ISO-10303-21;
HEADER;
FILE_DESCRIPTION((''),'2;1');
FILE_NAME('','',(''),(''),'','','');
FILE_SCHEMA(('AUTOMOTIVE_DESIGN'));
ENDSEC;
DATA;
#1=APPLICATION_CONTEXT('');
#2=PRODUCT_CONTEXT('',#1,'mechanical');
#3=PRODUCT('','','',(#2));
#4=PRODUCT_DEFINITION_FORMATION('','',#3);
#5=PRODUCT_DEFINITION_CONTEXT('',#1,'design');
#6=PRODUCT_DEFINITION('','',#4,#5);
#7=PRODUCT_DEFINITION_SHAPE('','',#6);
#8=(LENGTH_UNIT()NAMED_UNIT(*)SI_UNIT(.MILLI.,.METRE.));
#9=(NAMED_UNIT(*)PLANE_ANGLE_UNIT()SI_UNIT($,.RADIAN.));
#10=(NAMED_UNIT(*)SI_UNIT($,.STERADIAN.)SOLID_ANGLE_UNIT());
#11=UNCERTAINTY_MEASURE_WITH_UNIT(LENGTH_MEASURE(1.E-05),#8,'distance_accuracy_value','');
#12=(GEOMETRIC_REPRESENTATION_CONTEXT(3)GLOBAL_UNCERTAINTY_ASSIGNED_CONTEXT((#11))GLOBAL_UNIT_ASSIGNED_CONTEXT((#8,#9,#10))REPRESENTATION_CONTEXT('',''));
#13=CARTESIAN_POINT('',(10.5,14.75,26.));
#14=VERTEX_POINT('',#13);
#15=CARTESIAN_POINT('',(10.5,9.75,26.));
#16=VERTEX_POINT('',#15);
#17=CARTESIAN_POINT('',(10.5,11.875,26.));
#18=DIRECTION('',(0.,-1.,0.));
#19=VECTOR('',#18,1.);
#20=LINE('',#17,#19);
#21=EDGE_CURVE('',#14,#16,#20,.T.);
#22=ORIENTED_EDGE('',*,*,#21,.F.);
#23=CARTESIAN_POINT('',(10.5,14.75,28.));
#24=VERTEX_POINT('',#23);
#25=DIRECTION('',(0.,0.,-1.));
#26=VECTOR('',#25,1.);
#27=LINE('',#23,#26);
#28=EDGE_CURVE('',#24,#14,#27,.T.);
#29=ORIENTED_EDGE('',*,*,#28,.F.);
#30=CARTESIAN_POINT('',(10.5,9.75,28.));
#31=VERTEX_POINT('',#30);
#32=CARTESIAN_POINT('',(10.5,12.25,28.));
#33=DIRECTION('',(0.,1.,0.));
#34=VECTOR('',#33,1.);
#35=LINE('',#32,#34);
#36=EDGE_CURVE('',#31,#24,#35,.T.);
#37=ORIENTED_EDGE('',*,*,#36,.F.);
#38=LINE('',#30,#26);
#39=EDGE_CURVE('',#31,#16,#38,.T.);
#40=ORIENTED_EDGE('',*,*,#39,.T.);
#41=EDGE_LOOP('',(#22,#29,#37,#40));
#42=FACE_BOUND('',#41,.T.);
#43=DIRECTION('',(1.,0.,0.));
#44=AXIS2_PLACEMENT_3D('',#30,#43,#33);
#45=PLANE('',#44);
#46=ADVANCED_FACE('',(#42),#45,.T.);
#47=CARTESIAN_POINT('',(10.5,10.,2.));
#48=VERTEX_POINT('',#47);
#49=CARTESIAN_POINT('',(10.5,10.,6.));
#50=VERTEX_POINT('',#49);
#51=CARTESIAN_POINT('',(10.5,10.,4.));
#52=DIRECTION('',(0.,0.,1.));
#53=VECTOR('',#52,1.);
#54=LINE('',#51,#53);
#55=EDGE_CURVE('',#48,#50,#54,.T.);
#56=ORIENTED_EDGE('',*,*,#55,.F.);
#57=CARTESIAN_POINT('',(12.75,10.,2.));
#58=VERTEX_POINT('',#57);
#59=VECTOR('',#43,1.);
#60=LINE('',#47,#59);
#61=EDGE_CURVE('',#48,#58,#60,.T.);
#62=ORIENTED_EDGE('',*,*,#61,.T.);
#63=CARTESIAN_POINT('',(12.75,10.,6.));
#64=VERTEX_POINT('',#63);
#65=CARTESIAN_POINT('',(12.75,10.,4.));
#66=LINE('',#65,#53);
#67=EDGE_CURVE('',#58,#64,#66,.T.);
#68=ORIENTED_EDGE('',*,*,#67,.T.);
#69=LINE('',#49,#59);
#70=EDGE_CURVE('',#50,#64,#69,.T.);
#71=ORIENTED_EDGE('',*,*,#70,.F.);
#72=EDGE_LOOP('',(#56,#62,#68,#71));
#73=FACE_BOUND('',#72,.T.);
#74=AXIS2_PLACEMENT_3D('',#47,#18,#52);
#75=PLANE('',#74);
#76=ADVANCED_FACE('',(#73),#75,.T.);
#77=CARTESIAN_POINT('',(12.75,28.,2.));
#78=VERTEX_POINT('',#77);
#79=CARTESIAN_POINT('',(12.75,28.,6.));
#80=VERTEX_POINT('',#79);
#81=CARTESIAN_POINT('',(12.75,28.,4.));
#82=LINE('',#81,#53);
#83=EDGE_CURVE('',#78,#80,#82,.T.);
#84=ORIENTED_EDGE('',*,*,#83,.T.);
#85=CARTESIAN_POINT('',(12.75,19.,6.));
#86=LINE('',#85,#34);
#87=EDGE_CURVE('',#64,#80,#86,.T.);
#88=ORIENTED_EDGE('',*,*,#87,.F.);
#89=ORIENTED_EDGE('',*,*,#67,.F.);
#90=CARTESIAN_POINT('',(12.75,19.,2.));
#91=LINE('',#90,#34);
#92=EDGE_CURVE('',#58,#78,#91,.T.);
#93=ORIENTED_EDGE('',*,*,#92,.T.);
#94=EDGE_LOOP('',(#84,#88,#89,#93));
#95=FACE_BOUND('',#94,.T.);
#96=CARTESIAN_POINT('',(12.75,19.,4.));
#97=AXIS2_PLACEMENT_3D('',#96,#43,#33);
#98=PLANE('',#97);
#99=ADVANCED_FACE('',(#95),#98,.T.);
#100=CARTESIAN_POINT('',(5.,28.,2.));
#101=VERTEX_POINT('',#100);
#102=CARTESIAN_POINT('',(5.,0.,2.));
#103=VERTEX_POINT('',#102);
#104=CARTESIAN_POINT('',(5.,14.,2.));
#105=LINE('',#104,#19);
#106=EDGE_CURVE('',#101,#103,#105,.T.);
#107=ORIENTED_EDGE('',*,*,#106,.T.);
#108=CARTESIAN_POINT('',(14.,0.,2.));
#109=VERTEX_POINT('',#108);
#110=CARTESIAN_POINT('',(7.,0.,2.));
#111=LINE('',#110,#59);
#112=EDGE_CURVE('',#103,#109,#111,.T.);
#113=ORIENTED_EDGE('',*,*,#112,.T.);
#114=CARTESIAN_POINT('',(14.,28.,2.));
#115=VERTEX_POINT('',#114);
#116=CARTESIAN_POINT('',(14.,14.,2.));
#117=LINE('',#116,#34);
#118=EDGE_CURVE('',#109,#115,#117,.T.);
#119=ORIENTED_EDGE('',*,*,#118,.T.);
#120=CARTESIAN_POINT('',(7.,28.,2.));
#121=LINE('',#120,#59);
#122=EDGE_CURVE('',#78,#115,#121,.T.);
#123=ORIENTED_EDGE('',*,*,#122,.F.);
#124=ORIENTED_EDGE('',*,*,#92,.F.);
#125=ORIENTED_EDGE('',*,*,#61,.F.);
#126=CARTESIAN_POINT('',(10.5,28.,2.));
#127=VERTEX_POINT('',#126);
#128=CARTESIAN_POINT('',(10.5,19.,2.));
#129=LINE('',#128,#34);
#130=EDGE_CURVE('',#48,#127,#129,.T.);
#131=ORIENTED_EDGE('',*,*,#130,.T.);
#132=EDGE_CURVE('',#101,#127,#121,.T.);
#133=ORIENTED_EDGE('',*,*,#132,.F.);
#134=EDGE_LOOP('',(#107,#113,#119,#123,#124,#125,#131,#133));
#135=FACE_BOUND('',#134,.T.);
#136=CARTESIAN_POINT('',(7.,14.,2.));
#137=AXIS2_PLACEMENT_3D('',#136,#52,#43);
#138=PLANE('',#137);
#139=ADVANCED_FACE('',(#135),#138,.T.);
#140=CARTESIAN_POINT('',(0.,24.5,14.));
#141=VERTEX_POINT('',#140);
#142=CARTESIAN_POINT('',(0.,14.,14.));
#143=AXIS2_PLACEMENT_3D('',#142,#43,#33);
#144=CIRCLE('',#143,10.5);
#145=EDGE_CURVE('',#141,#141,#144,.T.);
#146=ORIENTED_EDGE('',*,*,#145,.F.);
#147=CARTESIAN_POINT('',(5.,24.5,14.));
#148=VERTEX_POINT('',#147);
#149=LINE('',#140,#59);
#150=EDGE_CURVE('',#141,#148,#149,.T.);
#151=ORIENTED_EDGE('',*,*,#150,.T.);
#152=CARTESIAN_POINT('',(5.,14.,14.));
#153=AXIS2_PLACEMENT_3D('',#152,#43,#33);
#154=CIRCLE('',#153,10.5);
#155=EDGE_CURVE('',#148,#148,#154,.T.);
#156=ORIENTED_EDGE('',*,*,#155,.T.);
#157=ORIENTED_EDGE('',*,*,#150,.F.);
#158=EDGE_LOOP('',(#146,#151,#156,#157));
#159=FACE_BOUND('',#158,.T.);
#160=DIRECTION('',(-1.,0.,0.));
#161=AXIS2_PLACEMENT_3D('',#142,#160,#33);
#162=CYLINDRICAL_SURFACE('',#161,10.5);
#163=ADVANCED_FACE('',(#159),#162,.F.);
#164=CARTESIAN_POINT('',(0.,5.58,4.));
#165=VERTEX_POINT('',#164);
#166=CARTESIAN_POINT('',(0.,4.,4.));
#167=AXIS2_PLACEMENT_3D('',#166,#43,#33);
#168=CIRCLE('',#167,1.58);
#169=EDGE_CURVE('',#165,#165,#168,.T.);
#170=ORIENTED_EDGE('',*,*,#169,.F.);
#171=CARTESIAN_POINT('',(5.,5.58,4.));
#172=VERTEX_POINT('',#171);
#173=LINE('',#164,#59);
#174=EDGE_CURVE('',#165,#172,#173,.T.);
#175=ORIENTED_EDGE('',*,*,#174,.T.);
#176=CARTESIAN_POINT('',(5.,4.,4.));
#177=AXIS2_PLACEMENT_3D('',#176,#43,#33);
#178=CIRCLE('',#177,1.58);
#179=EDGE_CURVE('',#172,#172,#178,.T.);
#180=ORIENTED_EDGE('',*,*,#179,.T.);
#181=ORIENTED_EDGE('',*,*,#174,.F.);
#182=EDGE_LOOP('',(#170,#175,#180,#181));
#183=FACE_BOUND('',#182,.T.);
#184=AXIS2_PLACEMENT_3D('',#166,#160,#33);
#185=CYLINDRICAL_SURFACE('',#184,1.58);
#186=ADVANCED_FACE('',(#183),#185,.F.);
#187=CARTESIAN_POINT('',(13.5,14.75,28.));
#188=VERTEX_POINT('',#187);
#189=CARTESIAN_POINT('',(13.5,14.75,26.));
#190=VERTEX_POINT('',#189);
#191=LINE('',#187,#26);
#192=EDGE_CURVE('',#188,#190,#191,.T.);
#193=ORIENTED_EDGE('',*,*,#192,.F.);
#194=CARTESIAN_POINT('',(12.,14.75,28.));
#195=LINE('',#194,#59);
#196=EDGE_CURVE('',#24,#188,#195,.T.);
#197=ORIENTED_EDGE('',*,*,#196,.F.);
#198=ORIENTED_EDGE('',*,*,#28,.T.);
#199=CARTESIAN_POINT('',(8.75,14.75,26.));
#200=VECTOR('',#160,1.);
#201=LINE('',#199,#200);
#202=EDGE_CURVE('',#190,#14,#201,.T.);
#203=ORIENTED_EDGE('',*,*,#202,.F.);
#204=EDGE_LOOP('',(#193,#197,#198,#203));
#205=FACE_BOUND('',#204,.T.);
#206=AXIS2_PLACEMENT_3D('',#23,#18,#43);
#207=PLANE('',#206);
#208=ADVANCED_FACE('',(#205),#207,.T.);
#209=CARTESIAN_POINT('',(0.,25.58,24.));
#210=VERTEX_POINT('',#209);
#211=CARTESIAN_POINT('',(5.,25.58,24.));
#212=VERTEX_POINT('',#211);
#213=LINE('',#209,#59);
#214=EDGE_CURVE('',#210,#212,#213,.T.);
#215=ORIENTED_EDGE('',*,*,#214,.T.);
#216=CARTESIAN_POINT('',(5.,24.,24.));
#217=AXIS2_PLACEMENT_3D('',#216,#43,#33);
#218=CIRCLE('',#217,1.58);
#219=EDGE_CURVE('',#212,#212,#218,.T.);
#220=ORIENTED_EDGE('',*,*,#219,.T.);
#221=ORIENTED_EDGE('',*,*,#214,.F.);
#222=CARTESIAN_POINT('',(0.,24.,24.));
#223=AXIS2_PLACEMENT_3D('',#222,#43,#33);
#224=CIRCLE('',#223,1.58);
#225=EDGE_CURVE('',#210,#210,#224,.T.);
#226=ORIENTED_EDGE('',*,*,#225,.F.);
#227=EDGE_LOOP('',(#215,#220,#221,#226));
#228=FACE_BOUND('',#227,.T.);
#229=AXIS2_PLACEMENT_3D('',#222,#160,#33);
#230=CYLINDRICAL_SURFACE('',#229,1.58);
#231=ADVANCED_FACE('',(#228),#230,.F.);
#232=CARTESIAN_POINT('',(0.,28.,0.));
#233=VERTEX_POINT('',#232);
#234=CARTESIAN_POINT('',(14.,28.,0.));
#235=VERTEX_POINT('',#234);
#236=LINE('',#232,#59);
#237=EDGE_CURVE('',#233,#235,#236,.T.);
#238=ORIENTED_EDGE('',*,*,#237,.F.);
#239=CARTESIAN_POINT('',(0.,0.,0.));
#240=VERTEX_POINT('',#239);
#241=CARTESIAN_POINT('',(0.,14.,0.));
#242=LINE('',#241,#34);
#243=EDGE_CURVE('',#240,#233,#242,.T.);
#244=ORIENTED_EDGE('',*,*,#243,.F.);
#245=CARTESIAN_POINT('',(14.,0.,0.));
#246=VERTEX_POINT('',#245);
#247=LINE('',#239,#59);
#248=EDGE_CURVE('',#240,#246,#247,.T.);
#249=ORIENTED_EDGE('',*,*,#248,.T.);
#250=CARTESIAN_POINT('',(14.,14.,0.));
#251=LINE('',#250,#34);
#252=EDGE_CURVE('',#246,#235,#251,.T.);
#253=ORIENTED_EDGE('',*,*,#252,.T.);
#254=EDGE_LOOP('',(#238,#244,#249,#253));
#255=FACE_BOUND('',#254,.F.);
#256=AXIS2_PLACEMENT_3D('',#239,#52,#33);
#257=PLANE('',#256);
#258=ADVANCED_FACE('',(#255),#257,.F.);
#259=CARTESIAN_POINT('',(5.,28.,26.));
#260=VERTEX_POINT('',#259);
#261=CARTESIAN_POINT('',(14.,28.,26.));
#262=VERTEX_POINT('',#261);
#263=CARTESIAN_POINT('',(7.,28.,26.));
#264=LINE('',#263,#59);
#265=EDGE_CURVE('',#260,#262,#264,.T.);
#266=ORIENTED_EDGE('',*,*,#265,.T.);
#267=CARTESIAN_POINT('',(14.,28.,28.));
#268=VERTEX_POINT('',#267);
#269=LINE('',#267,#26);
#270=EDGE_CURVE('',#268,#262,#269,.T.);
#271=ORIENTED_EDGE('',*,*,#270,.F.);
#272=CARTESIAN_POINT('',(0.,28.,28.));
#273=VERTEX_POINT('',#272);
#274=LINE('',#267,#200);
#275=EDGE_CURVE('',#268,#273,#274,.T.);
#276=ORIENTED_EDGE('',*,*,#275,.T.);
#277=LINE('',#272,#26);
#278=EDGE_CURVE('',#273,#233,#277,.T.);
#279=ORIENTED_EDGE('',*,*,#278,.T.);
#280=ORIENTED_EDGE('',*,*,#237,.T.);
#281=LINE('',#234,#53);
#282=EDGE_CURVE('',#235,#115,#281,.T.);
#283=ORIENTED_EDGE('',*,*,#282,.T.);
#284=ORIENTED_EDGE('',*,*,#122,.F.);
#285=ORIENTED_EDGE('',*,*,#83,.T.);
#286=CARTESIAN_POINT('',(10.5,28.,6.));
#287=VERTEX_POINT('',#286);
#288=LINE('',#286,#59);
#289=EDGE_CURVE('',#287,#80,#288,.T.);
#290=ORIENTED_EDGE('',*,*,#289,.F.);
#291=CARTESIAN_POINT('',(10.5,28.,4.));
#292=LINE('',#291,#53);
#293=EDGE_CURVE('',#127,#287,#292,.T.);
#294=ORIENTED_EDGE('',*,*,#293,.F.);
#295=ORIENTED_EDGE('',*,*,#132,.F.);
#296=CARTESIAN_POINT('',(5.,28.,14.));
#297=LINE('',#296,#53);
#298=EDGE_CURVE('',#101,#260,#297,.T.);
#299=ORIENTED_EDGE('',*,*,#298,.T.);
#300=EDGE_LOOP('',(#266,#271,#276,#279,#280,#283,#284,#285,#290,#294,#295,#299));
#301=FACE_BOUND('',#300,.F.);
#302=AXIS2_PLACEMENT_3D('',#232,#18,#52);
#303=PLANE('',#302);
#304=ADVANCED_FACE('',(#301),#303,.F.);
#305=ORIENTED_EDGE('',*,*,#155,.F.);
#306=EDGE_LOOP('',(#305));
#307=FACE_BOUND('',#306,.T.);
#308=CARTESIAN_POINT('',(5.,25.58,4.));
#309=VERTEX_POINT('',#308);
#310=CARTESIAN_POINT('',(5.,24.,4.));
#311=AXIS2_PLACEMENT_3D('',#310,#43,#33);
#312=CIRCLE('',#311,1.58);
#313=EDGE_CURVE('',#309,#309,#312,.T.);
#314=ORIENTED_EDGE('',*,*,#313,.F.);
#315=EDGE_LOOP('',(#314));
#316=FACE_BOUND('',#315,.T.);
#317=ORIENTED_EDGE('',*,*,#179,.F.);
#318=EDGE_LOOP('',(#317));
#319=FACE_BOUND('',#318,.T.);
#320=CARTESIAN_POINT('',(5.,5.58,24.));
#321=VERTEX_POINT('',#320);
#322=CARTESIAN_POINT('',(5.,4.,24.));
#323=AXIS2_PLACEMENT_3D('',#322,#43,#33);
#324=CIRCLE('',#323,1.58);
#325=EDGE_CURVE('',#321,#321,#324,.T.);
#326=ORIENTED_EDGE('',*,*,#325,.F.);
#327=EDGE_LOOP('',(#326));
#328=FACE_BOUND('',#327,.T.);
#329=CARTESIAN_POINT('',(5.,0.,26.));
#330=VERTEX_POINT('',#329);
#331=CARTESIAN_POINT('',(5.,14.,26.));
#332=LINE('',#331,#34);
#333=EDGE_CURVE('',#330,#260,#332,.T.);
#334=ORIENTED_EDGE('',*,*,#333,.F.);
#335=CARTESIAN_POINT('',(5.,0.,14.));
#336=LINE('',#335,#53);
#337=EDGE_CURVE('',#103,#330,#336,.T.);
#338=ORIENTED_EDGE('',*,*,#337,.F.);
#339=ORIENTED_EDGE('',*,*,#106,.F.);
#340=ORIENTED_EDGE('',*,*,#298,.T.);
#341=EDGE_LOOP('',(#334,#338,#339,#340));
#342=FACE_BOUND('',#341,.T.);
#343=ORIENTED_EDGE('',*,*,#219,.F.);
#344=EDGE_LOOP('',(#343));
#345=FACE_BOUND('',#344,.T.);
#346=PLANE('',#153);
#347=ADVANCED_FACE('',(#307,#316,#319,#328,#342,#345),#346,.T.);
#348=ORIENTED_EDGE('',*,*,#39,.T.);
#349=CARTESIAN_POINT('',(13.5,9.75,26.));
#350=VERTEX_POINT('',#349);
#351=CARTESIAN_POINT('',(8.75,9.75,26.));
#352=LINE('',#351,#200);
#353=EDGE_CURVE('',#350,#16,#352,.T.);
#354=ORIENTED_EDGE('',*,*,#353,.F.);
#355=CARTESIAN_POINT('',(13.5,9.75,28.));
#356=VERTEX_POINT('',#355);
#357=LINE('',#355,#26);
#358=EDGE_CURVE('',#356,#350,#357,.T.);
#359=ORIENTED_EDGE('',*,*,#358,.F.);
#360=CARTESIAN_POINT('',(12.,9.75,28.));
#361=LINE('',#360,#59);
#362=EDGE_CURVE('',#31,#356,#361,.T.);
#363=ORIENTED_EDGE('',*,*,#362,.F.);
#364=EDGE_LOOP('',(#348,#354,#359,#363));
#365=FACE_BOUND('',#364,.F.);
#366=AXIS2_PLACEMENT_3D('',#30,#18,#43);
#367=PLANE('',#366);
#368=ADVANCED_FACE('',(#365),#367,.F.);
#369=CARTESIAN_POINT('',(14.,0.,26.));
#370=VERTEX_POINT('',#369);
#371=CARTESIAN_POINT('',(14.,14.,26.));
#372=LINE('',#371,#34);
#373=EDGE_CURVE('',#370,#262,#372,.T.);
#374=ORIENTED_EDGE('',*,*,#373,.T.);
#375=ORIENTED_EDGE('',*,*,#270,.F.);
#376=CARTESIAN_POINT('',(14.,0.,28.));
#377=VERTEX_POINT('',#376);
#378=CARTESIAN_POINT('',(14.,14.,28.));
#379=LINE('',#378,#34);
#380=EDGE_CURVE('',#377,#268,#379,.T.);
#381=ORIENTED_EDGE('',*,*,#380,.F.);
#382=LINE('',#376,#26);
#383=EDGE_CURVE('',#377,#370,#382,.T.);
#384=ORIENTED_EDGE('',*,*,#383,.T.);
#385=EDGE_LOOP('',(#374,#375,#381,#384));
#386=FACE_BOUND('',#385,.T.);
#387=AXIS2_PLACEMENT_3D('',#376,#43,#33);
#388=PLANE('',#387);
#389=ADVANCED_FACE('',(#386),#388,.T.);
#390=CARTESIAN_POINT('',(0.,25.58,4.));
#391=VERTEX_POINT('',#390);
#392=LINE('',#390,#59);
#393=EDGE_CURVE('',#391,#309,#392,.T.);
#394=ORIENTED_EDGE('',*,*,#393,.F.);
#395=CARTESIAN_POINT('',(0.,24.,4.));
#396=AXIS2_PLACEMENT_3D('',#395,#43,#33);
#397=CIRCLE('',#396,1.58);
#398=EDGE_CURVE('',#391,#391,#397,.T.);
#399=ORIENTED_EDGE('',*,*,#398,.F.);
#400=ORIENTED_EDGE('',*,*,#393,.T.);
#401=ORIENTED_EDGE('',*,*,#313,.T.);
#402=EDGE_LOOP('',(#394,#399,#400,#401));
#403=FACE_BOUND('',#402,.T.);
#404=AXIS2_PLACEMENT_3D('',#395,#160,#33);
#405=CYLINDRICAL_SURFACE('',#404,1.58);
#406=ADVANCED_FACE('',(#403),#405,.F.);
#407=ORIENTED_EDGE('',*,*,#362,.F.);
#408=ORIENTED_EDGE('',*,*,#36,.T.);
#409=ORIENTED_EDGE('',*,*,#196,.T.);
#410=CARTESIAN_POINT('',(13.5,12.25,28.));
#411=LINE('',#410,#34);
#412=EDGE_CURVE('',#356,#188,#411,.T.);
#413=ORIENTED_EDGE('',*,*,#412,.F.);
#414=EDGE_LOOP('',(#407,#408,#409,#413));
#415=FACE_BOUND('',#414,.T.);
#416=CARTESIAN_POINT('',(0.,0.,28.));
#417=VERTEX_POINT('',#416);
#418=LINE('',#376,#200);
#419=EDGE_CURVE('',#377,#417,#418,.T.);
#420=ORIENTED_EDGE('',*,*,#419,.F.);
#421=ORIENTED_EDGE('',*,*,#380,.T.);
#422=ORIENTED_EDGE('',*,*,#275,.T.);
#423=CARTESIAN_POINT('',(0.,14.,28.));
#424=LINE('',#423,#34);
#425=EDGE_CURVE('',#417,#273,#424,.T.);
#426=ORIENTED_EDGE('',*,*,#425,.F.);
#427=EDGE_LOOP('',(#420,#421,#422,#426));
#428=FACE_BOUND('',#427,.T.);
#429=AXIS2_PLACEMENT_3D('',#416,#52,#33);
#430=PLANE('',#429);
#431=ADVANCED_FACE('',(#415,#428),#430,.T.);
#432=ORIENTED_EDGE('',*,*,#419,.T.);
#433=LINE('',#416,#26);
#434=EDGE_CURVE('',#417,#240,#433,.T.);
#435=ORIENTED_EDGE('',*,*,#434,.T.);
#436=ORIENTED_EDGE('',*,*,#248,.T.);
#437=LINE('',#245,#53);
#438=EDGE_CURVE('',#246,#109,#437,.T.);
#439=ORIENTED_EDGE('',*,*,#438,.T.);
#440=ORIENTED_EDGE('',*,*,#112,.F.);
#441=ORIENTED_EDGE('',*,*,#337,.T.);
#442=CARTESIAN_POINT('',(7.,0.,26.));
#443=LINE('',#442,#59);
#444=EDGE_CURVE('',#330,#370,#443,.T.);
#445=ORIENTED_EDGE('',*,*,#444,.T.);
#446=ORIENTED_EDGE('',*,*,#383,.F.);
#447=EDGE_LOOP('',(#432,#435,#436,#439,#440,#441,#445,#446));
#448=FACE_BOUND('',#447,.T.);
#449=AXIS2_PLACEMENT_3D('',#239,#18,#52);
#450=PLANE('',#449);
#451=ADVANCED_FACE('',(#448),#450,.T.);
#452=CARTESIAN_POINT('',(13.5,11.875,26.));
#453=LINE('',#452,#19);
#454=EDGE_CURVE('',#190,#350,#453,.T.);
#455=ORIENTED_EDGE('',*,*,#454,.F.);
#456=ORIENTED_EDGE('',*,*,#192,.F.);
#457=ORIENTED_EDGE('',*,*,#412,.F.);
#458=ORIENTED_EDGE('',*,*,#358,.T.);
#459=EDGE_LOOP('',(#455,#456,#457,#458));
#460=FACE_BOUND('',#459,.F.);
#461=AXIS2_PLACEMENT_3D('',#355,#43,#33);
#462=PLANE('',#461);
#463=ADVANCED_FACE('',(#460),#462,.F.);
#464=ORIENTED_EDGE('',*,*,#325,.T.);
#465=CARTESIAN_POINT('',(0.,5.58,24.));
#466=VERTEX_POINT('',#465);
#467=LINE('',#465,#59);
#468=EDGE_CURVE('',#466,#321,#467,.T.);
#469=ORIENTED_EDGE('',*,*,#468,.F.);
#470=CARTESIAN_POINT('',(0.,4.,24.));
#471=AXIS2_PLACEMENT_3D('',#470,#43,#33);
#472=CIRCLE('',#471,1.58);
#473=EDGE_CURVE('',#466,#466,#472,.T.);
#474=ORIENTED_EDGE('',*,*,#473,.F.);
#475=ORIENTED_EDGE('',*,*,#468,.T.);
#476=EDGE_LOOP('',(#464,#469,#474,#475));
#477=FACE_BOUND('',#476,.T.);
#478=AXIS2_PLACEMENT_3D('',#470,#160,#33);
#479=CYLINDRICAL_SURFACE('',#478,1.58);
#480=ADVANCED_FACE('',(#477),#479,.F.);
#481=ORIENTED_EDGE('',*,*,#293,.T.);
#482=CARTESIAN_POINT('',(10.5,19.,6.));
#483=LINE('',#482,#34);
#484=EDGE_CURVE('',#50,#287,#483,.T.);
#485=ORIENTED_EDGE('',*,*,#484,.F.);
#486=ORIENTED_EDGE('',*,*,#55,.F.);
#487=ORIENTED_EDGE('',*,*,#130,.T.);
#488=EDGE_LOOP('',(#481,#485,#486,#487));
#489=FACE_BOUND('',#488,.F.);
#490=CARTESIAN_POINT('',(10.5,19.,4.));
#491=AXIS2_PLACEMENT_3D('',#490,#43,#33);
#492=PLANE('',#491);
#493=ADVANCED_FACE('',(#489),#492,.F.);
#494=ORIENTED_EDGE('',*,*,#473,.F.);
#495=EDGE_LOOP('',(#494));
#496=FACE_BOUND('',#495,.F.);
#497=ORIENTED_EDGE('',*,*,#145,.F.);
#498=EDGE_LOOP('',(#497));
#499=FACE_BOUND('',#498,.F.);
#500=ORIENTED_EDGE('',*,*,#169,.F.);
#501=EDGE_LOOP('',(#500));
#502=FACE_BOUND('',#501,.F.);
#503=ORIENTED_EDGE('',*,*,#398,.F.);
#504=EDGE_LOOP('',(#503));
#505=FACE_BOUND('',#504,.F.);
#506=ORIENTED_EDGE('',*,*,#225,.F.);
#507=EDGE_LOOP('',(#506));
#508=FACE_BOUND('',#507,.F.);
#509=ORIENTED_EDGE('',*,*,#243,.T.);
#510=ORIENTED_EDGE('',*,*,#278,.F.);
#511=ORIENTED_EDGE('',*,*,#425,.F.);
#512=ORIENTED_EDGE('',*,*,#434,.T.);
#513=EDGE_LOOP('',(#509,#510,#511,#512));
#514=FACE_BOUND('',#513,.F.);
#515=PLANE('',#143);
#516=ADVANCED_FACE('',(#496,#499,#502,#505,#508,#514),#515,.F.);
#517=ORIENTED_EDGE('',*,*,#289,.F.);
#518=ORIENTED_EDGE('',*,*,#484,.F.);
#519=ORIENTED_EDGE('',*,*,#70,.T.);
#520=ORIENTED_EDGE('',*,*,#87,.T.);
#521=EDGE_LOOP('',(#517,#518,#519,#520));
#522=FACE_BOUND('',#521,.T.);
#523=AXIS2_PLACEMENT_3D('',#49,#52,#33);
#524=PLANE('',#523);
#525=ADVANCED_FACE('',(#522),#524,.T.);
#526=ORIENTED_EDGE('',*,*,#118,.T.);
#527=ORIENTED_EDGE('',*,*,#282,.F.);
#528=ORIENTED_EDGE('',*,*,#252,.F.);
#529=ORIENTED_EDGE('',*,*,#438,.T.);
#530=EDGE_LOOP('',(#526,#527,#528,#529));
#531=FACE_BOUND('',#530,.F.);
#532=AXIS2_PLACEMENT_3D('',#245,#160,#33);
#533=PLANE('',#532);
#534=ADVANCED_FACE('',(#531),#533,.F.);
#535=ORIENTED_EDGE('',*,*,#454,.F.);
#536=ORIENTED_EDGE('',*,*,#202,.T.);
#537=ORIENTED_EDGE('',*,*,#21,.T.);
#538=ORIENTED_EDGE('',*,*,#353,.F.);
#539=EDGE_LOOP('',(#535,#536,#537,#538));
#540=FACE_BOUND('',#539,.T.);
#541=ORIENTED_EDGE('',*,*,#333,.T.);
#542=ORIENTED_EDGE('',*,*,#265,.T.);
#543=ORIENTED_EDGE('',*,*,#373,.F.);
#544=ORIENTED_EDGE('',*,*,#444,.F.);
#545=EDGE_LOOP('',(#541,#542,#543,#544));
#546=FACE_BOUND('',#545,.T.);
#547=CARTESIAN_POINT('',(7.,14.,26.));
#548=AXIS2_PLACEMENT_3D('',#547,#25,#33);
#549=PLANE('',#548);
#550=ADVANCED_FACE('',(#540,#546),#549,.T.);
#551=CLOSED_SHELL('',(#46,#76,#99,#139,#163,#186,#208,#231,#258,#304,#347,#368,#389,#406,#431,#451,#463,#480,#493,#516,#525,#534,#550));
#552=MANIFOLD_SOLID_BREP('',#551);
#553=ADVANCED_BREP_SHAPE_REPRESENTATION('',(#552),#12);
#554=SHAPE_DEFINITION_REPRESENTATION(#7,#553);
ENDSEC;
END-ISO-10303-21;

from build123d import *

# Parameters (mm, degrees)
SKETCH_W     = 28
SKETCH_H     = 28
SKETCH_R     = 1.58
SKETCH_R_2   = 10.5
PAD_DEPTH    = 5
SKETCH001_W  = 14
SKETCH001_H  = 28
PAD001_DEPTH = 2
SKETCH002_W  = 28
SKETCH002_H  = 14
PAD002_DEPTH = 2
SKETCH003_W  = 18
SKETCH003_H  = 4
PAD003_DEPTH = 2.25
SKETCH005_W  = 5
SKETCH005_H  = 3
POCKET_DEPTH = 5


with BuildPart() as part:
    # Sketch → Pad (new body)
    with BuildSketch(Plane.YZ):
        with Locations((14, 14)):
            Rectangle(SKETCH_W, SKETCH_H)
        with Locations((4, 24)):
            Circle(SKETCH_R, mode=Mode.SUBTRACT)
        with Locations((24, 24)):
            Circle(SKETCH_R, mode=Mode.SUBTRACT)
        with Locations((24, 4)):
            Circle(SKETCH_R, mode=Mode.SUBTRACT)
        with Locations((4, 4)):
            Circle(SKETCH_R, mode=Mode.SUBTRACT)
        with Locations((14, 14)):
            Circle(SKETCH_R_2, mode=Mode.SUBTRACT)
    extrude(amount=PAD_DEPTH)

    # Sketch001 → Pad001 (join)
    with BuildSketch(Plane.XY):
        with Locations((7, 14)):
            Rectangle(SKETCH001_W, SKETCH001_H)
    extrude(amount=PAD001_DEPTH)

    # Sketch002 (on DatumPlane) → Pad002 (join)
    with BuildSketch(Plane.YX.offset(-28)):
        with Locations((14, 7)):
            Rectangle(SKETCH002_W, SKETCH002_H)
    extrude(amount=PAD002_DEPTH)

    # Sketch003 (on DatumPlane) → Pad003 (join)
    with BuildSketch(Plane(origin=(10.5, -2, 0), x_dir=(0, 1, 0), z_dir=(1, 0, 0))):
        with Locations((21, 4)):
            Rectangle(SKETCH003_W, SKETCH003_H)
    extrude(amount=PAD003_DEPTH)

    # Sketch005 (on DatumPlane) → Pocket (cut)
    with BuildSketch(Plane.YX.offset(-28)):
        with Locations((12.25, 12)):
            Rectangle(SKETCH005_W, SKETCH005_H)
    extrude(amount=POCKET_DEPTH, mode=Mode.SUBTRACT)


solid = part.part
